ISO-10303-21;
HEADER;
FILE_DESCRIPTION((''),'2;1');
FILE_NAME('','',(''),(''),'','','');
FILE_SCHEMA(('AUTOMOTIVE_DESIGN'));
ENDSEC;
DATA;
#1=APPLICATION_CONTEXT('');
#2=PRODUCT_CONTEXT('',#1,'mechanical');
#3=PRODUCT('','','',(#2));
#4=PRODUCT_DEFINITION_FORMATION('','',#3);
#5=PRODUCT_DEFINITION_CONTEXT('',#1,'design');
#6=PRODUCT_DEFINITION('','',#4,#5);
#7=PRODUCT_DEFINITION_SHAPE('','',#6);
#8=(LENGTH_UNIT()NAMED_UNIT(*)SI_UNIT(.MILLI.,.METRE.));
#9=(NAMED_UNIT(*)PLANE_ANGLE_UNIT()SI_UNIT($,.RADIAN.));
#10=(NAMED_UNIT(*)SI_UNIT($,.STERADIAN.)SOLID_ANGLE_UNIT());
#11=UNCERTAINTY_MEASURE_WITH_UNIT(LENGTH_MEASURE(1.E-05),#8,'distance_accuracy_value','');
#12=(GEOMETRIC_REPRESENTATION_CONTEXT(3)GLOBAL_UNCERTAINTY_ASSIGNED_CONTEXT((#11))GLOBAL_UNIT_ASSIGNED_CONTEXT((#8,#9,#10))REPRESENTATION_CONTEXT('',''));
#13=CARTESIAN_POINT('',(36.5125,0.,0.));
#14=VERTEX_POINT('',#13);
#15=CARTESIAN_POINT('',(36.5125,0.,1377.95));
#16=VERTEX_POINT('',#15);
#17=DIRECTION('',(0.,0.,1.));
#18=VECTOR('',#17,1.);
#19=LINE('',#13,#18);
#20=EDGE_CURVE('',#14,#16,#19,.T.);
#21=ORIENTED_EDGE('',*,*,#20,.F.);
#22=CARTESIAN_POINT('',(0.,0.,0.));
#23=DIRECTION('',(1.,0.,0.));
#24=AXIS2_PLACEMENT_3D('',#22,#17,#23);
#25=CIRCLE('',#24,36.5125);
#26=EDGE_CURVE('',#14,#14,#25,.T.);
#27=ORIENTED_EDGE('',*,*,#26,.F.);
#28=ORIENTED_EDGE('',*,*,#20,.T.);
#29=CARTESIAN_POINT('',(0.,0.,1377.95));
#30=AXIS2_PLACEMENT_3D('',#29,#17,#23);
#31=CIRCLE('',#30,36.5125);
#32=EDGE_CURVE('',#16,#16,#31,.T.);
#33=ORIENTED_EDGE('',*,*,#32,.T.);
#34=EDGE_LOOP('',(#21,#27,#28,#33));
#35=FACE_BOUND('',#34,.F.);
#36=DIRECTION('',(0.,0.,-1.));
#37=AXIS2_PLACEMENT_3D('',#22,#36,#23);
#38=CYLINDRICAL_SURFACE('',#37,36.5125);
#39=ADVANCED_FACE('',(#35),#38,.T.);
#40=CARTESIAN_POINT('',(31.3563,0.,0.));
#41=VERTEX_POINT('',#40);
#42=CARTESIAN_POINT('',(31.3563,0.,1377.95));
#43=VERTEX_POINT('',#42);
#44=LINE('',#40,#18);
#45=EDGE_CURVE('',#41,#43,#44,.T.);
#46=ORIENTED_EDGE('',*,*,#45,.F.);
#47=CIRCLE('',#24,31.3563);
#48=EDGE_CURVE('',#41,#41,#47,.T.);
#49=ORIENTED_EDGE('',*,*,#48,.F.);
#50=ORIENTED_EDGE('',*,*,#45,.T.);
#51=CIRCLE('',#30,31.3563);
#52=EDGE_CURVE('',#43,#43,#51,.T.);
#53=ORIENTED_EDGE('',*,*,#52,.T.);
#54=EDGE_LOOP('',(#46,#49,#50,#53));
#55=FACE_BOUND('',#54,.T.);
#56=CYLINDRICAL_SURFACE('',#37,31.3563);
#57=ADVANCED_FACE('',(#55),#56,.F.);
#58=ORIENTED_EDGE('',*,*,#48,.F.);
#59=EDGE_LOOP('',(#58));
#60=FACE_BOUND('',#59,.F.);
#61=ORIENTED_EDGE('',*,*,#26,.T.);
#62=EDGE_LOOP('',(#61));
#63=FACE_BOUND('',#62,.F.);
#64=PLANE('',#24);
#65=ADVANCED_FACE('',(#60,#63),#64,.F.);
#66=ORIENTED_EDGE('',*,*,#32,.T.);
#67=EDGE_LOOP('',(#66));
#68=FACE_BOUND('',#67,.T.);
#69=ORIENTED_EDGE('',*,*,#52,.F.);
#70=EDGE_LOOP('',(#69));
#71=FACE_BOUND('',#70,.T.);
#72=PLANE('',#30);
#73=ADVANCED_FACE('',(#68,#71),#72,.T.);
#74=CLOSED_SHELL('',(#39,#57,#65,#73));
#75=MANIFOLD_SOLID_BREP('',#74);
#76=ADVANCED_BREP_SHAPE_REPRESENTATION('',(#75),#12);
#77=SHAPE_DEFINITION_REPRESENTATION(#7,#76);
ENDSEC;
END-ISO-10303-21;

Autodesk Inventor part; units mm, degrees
ref_plane "YZ Plane" through (0, 0, 0) normal (1, 0, 0) x (0, 1, 0)
ref_plane "XZ Plane" through (0, 0, 0) normal (0, 1, 0) x (-1, 0, 0)
ref_plane "XY Plane" through (0, 0, 0) normal (0, 0, 1) x (1, 0, 0)
sketch "Sketch1" plane through (0, 0, 0) normal (0, 0, 1) x (1, 0, 0)
  circle A0 centre (0, 0) radius 36.5125
  circle A1 centre (0, 0) radius 31.3563
  dimension "d0" = 73.025
  dimension "d1" = 62.7126
extrude "Extrusion1" add sketch "Sketch1" along normal blind 1377.95
properties part number "A1-18002-100-22 2.25in x 5ft bar tube" material "PVC-Piping"
